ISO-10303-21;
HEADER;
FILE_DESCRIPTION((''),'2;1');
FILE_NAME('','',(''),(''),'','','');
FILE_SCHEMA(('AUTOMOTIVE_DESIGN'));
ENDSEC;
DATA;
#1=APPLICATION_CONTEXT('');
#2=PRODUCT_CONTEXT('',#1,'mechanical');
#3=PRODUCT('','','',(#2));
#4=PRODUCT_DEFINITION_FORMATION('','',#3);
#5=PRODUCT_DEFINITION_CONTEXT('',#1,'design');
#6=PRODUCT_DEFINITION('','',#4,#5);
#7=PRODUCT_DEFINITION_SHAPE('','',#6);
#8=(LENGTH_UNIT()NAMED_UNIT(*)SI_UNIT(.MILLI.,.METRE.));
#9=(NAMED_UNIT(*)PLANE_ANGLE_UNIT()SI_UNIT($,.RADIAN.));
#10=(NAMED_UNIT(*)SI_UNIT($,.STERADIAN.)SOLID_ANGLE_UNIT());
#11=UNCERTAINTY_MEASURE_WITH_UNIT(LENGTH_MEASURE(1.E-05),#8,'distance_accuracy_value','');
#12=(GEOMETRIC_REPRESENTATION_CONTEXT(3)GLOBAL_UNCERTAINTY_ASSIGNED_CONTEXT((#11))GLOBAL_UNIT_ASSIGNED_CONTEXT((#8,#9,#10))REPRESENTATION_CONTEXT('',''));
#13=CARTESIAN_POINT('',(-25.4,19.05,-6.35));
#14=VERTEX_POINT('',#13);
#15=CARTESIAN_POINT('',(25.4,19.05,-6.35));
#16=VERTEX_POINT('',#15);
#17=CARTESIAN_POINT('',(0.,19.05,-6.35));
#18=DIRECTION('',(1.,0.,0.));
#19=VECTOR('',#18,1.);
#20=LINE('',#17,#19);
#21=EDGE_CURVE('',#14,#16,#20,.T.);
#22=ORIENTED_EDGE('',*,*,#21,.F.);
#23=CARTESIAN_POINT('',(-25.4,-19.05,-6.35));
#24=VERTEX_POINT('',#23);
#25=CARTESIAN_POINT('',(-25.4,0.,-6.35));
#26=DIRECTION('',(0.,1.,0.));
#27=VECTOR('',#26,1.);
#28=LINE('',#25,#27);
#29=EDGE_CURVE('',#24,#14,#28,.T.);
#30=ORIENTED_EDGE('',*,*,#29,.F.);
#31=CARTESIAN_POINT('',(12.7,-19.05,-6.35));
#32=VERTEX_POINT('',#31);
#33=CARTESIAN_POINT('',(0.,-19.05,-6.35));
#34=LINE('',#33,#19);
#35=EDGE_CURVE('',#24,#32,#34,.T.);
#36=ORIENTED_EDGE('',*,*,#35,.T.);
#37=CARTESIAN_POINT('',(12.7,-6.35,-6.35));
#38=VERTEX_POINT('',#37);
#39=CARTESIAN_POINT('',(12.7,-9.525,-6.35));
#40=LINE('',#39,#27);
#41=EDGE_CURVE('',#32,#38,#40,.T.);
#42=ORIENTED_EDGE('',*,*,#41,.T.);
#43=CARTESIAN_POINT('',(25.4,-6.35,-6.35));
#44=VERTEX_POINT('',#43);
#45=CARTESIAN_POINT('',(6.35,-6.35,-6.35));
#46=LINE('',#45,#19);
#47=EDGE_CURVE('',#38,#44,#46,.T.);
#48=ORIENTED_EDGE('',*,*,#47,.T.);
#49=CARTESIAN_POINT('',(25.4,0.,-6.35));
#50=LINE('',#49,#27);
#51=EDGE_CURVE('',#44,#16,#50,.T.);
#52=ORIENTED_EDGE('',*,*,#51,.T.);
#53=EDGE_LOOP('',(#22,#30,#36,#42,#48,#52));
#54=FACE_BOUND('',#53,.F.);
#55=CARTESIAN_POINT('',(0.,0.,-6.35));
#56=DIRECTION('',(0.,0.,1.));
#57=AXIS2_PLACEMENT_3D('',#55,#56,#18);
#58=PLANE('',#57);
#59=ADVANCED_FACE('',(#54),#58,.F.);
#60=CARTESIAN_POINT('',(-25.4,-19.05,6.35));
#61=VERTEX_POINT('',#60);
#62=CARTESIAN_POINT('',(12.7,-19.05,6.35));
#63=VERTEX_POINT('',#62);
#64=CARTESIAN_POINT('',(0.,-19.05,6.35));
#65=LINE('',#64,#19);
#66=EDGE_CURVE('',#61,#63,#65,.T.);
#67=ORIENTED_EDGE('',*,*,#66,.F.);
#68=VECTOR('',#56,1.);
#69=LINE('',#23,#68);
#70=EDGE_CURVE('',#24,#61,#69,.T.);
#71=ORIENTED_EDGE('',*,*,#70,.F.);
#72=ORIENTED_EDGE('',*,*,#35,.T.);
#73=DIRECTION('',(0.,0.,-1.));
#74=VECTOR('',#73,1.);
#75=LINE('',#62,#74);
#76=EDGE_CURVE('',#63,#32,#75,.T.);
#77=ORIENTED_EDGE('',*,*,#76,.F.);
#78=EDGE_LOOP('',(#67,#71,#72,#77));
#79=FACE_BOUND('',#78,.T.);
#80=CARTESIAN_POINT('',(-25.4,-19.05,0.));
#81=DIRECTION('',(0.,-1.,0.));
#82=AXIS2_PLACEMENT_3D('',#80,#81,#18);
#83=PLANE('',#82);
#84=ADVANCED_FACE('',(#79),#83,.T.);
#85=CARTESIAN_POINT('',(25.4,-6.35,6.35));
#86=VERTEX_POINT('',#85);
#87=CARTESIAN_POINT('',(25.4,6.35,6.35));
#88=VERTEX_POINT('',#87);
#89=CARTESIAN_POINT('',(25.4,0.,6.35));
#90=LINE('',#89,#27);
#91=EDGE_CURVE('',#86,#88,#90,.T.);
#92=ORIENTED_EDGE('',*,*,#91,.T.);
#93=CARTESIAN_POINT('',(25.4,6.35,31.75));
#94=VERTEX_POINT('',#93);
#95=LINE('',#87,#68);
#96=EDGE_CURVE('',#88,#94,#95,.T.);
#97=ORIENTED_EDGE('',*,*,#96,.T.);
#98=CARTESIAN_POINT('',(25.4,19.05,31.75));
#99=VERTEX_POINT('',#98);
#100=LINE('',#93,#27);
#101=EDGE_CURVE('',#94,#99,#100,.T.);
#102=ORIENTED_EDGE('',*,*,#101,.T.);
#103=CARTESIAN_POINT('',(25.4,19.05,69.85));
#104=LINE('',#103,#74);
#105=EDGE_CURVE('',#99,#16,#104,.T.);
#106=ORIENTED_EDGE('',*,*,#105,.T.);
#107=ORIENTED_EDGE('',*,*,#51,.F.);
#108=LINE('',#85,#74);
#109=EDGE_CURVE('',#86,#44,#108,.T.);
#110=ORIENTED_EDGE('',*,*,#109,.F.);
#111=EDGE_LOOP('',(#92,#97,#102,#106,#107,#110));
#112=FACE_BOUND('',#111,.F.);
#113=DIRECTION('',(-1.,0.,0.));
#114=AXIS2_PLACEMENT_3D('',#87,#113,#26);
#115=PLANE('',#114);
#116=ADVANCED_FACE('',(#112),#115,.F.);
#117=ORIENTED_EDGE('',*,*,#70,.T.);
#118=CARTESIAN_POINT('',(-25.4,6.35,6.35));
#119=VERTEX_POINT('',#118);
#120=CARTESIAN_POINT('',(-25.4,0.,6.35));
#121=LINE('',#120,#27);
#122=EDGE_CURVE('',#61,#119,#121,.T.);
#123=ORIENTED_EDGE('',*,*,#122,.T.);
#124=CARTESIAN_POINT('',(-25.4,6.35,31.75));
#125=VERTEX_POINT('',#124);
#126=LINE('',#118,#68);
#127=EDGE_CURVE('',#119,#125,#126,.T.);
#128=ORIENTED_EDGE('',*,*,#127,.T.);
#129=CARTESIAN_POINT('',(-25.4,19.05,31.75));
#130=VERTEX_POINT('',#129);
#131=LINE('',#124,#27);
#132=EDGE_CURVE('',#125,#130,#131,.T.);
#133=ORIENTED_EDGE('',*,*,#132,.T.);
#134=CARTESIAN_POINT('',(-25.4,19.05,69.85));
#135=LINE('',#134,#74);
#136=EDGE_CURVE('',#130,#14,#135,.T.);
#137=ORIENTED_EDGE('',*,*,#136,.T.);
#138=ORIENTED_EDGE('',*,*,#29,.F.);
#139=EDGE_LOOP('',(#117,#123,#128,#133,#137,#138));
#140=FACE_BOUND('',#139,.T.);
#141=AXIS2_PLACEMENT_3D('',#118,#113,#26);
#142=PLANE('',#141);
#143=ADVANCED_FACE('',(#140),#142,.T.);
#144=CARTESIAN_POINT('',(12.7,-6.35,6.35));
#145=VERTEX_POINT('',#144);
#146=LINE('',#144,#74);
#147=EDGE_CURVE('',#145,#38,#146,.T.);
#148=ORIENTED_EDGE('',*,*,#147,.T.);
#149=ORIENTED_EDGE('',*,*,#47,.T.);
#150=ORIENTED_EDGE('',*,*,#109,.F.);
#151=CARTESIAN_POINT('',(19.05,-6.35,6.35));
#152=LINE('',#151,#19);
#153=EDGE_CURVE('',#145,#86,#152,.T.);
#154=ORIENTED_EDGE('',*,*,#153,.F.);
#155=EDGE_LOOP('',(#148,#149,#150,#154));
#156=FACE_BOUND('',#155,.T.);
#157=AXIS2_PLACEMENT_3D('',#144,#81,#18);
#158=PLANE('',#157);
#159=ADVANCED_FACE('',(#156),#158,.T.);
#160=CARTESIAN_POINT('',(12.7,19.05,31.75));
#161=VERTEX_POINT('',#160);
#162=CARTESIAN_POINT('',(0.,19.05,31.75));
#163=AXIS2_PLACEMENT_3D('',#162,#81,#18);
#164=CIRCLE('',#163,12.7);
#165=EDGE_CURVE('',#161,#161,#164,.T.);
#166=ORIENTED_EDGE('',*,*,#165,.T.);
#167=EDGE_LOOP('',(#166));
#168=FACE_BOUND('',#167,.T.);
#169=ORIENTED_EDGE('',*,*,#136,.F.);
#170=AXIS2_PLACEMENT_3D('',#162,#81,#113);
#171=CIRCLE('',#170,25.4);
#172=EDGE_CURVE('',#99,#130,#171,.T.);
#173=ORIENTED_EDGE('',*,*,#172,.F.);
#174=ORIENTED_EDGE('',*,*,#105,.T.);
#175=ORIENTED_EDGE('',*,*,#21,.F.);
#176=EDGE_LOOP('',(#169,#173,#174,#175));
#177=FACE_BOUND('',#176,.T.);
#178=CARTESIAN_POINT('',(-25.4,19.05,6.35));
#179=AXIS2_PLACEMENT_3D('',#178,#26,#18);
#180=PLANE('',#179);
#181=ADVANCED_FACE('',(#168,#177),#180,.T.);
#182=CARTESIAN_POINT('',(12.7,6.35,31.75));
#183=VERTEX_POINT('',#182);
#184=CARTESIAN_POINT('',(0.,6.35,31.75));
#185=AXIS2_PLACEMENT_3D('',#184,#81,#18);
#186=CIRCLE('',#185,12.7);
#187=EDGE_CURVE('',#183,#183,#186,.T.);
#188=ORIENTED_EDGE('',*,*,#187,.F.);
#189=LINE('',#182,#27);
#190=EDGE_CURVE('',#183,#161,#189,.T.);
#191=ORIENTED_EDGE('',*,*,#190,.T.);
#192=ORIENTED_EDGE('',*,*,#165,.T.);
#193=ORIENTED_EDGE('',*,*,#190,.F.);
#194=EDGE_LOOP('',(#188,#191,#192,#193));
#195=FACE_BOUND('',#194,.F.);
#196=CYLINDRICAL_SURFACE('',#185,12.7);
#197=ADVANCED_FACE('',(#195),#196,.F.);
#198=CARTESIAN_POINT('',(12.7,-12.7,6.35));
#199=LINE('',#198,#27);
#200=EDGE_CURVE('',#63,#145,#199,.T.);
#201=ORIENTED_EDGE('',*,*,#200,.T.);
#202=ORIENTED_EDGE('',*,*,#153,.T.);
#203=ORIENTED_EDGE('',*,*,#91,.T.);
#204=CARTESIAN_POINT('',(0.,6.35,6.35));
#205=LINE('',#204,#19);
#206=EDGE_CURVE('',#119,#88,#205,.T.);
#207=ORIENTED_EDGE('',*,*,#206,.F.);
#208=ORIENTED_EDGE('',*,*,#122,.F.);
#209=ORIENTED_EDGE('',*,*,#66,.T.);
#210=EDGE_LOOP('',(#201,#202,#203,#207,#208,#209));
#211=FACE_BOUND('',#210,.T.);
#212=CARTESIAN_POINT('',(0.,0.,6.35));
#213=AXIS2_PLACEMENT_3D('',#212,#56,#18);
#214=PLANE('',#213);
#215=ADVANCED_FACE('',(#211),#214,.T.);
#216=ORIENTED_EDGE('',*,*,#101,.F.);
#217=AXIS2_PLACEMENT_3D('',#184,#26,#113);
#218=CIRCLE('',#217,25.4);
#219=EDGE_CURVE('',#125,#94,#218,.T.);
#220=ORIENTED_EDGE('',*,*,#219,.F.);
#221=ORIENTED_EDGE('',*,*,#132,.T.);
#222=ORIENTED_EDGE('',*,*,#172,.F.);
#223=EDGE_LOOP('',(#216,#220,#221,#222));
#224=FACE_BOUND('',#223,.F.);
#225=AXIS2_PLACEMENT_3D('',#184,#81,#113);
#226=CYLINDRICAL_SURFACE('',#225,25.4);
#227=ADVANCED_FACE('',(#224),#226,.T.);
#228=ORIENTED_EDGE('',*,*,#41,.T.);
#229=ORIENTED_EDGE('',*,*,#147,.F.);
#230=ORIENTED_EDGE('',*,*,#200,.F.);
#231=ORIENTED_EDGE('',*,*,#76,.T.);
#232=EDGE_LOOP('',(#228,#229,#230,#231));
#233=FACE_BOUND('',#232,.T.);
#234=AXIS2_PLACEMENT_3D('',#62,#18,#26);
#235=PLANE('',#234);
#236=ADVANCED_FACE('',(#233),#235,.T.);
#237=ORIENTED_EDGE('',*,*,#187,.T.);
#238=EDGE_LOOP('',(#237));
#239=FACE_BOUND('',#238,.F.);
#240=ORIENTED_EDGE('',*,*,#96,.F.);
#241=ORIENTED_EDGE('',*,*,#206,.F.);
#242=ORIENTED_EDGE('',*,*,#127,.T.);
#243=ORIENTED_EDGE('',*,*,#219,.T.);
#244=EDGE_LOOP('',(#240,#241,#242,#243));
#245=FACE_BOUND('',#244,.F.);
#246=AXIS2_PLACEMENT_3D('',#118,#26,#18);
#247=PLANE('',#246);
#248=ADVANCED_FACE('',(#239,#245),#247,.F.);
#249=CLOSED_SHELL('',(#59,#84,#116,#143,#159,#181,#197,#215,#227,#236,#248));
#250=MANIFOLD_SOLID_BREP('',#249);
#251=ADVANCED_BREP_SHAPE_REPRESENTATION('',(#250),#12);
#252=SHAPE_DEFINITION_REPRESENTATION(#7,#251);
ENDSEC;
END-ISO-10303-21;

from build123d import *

# Parameters (mm, degrees)
F0_W     = 50.8
F0_H     = 38.1
F1_DEPTH = 6.35
F2_W     = 50.8
F2_H     = 12.7
F3_DEPTH = 63.5
F4_R     = 12.7
F5_DEPTH = 25.4
F7_DEPTH = 25.4
F8_W     = 12.7
F8_H     = 12.7
F9_DEPTH = 25.4


with BuildPart() as f1:
    # F0 (on Top) → F1 (new body, symmetric)
    with BuildSketch(Plane.XY):
        Rectangle(F0_W, F0_H)
    extrude(amount=F1_DEPTH, both=True)

    # F2 (on face) → F3 (join)
    with BuildSketch(Plane.XY.offset(6.35)):
        with Locations((0, 12.7)):
            Rectangle(F2_W, F2_H)
    extrude(amount=F3_DEPTH)

    # F4 (on face) → F5 (cut)
    with BuildSketch(Plane.XZ.offset(-6.35)):
        with Locations((0, 31.75)):
            Circle(F4_R)
    extrude(amount=-F5_DEPTH, mode=Mode.SUBTRACT)

    # F6 (on face) → F7 (cut)
    with BuildSketch(Plane.XZ.offset(-6.35)):
        with BuildLine():
            ThreePointArc((-25.4, 31.75), (0, 57.15), (25.4, 31.75))
            Line((25.4, 31.75), (25.4, 69.85))
            Line((25.4, 69.85), (-25.4, 69.85))
            Line((-25.4, 69.85), (-25.4, 31.75))
        make_face()
    extrude(amount=-F7_DEPTH, mode=Mode.SUBTRACT)

    # F8 (on face) → F9 (cut)
    with BuildSketch(Plane.XY.offset(6.35)):
        with Locations((19.05, -12.7)):
            Rectangle(F8_W, F8_H)
    extrude(amount=-F9_DEPTH, mode=Mode.SUBTRACT)


solid = f1.part
